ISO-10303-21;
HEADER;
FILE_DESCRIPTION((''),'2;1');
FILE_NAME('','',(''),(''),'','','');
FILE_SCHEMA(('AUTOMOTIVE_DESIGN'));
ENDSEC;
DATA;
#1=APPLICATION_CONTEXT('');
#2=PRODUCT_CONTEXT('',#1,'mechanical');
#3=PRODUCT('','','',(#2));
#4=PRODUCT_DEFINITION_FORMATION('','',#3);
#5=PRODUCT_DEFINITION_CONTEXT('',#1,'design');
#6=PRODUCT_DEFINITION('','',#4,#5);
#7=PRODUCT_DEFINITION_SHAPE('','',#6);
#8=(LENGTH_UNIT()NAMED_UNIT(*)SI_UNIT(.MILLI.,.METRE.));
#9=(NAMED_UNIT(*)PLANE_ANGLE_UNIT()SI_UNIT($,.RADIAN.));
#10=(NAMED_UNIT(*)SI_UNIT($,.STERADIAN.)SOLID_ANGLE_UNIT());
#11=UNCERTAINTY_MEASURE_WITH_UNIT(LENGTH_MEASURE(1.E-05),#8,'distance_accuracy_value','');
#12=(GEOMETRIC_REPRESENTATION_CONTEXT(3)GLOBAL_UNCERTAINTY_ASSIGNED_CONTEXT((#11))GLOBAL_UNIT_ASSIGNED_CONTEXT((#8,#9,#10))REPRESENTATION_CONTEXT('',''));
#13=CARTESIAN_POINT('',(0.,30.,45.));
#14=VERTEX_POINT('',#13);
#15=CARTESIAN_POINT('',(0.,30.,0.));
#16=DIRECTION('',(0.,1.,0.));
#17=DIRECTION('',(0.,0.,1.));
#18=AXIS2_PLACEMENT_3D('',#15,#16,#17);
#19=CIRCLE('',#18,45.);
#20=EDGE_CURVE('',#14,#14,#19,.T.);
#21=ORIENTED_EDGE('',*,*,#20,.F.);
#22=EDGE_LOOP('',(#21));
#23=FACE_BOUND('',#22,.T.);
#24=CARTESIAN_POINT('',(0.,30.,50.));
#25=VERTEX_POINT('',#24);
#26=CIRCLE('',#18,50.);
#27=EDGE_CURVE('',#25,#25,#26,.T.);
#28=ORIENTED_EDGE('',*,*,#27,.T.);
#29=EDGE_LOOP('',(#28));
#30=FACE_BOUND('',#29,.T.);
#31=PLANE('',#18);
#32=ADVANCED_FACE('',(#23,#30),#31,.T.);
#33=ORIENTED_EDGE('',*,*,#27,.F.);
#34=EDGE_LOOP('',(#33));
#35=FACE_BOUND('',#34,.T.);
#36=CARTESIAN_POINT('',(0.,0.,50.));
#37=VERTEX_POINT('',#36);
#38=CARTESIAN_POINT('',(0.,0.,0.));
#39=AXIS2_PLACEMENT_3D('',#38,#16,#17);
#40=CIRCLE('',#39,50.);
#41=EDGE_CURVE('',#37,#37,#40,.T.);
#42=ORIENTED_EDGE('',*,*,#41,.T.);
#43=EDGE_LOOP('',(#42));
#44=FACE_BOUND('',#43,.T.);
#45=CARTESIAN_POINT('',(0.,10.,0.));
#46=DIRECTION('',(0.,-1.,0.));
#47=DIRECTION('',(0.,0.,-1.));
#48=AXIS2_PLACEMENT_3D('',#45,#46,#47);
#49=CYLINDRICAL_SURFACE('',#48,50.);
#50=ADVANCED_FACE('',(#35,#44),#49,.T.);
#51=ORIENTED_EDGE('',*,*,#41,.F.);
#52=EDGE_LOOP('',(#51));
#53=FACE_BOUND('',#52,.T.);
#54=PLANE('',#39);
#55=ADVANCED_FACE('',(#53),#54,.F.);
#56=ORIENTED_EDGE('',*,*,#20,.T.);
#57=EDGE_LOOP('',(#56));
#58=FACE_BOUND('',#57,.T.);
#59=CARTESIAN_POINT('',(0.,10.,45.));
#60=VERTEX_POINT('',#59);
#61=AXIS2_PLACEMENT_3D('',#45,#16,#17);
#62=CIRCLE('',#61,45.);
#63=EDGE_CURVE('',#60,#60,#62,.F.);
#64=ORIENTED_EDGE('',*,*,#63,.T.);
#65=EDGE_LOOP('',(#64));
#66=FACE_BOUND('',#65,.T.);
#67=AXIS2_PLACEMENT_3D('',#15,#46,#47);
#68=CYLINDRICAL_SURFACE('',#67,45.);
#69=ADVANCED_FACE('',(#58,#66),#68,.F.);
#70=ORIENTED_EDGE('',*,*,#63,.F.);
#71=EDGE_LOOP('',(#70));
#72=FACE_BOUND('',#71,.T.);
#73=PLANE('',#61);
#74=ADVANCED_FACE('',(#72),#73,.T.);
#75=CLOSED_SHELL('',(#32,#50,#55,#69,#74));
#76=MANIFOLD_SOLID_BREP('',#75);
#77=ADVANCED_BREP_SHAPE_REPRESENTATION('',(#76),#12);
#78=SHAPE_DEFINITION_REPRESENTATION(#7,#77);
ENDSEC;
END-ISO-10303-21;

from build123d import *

# Parameters (mm, degrees)
ESBO_O1_R                = 50
RESSALTO_EXTRUS_O2_DEPTH = 10
ESBO_O2_R                = 50
ESBO_O2_R_2              = 45
RESSALTO_EXTRUS_O4_DEPTH = 20


with BuildPart() as part:
    # Esboço1 → Ressalto-extrusão2 (new body)
    with BuildSketch(Plane(origin=(0, 0, 0), x_dir=(1, 0, 0), z_dir=(0, 1, 0))):
        Circle(ESBO_O1_R)
    extrude(amount=RESSALTO_EXTRUS_O2_DEPTH)

    # Esboço2 → Ressalto-extrusão4 (add)
    with BuildSketch(Plane(origin=(0, 10, 0), x_dir=(1, 0, 0), z_dir=(0, 1, 0))):
        Circle(ESBO_O2_R)
        Circle(ESBO_O2_R_2, mode=Mode.SUBTRACT)
    extrude(amount=RESSALTO_EXTRUS_O4_DEPTH)


solid = part.part
